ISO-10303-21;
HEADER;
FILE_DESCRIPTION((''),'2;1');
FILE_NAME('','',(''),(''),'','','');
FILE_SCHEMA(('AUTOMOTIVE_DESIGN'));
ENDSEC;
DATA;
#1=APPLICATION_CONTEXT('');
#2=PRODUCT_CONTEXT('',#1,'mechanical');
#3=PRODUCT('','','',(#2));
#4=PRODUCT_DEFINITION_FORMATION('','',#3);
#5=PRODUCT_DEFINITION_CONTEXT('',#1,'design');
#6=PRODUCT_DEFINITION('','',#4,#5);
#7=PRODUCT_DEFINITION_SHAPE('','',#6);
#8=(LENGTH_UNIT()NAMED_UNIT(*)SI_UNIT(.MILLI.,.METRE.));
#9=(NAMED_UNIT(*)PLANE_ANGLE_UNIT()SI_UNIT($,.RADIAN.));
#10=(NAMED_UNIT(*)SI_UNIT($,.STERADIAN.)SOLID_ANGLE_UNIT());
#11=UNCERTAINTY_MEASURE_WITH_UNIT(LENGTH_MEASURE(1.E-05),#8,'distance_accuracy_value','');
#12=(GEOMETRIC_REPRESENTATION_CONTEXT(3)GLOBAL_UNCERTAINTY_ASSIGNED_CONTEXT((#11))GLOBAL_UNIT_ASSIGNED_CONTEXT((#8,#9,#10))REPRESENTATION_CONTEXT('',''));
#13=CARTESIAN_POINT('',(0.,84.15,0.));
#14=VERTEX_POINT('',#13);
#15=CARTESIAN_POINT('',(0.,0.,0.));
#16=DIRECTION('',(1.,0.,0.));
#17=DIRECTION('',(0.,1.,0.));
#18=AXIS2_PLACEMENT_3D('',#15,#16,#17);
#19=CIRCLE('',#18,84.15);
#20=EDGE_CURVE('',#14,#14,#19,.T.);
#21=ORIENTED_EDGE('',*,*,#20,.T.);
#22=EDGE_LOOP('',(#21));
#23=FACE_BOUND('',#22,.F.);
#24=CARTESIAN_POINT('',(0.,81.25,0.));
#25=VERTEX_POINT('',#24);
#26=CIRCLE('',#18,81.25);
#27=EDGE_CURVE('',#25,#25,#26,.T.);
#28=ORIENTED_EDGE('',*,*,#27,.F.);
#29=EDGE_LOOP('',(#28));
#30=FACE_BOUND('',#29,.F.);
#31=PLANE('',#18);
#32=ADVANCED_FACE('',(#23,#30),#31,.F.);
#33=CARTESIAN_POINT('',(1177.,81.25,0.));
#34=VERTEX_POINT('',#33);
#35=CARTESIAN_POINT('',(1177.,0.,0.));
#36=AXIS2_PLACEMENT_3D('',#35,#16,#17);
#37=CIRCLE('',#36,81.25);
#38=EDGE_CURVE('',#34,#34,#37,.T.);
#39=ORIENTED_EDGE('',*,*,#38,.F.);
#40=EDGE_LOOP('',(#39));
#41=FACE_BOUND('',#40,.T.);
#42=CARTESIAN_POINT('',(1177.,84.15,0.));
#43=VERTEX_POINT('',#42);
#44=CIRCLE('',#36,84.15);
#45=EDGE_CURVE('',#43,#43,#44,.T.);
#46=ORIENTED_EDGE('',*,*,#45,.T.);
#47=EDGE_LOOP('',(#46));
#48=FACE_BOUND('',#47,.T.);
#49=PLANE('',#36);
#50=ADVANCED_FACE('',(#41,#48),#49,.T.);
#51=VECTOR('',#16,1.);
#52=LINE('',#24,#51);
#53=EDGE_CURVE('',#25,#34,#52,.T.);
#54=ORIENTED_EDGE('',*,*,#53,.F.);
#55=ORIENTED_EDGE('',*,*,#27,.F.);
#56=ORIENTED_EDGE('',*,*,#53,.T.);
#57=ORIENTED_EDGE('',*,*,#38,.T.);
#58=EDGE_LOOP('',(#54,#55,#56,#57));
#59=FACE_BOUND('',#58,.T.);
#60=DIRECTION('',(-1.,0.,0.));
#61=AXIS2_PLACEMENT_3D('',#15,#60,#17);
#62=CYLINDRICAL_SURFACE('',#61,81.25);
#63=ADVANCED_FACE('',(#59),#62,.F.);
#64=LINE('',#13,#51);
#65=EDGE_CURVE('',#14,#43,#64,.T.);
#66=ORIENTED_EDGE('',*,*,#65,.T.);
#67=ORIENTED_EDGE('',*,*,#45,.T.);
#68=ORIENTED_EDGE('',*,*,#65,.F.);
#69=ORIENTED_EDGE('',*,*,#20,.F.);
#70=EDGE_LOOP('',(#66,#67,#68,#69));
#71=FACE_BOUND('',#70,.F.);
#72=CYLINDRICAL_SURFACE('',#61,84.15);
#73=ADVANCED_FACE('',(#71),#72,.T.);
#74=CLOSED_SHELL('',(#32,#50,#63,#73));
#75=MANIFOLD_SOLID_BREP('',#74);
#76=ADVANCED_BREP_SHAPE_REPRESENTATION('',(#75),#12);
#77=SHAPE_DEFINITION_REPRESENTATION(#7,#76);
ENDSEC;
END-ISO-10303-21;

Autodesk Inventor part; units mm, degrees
ref_plane "YZ Plane" through (0, 0, 0) normal (1, 0, 0) x (0, 1, 0)
ref_plane "XZ Plane" through (0, 0, 0) normal (0, 1, 0) x (-1, 0, 0)
ref_plane "XY Plane" through (0, 0, 0) normal (0, 0, 1) x (1, 0, 0)
sketch "Sketch1" plane through (0, 0, 0) normal (1, 0, 0) x (0, 1, 0)
  circle A0 centre (0, 0) radius 84.15
  circle A1 centre (0, 0) radius 81.25
  dimension "d0" = 168.3
  dimension "d1" = 2.9
extrude "Extrusion1" add sketch "Sketch1" along normal blind 1177
equation "\"d0\" = OD"
equation "\"d1\" = t"
equation "\"d2\" = L"
equation "\"OD\" = 168.3"
equation "\"t\" = 2.9"
equation "\"L\" = PL"
equation "\"ID\" = 162.5"
equation "\"PL\" = 1177"
equation "\"Size_Designation\" = 1.2345"
properties material "Steel"
